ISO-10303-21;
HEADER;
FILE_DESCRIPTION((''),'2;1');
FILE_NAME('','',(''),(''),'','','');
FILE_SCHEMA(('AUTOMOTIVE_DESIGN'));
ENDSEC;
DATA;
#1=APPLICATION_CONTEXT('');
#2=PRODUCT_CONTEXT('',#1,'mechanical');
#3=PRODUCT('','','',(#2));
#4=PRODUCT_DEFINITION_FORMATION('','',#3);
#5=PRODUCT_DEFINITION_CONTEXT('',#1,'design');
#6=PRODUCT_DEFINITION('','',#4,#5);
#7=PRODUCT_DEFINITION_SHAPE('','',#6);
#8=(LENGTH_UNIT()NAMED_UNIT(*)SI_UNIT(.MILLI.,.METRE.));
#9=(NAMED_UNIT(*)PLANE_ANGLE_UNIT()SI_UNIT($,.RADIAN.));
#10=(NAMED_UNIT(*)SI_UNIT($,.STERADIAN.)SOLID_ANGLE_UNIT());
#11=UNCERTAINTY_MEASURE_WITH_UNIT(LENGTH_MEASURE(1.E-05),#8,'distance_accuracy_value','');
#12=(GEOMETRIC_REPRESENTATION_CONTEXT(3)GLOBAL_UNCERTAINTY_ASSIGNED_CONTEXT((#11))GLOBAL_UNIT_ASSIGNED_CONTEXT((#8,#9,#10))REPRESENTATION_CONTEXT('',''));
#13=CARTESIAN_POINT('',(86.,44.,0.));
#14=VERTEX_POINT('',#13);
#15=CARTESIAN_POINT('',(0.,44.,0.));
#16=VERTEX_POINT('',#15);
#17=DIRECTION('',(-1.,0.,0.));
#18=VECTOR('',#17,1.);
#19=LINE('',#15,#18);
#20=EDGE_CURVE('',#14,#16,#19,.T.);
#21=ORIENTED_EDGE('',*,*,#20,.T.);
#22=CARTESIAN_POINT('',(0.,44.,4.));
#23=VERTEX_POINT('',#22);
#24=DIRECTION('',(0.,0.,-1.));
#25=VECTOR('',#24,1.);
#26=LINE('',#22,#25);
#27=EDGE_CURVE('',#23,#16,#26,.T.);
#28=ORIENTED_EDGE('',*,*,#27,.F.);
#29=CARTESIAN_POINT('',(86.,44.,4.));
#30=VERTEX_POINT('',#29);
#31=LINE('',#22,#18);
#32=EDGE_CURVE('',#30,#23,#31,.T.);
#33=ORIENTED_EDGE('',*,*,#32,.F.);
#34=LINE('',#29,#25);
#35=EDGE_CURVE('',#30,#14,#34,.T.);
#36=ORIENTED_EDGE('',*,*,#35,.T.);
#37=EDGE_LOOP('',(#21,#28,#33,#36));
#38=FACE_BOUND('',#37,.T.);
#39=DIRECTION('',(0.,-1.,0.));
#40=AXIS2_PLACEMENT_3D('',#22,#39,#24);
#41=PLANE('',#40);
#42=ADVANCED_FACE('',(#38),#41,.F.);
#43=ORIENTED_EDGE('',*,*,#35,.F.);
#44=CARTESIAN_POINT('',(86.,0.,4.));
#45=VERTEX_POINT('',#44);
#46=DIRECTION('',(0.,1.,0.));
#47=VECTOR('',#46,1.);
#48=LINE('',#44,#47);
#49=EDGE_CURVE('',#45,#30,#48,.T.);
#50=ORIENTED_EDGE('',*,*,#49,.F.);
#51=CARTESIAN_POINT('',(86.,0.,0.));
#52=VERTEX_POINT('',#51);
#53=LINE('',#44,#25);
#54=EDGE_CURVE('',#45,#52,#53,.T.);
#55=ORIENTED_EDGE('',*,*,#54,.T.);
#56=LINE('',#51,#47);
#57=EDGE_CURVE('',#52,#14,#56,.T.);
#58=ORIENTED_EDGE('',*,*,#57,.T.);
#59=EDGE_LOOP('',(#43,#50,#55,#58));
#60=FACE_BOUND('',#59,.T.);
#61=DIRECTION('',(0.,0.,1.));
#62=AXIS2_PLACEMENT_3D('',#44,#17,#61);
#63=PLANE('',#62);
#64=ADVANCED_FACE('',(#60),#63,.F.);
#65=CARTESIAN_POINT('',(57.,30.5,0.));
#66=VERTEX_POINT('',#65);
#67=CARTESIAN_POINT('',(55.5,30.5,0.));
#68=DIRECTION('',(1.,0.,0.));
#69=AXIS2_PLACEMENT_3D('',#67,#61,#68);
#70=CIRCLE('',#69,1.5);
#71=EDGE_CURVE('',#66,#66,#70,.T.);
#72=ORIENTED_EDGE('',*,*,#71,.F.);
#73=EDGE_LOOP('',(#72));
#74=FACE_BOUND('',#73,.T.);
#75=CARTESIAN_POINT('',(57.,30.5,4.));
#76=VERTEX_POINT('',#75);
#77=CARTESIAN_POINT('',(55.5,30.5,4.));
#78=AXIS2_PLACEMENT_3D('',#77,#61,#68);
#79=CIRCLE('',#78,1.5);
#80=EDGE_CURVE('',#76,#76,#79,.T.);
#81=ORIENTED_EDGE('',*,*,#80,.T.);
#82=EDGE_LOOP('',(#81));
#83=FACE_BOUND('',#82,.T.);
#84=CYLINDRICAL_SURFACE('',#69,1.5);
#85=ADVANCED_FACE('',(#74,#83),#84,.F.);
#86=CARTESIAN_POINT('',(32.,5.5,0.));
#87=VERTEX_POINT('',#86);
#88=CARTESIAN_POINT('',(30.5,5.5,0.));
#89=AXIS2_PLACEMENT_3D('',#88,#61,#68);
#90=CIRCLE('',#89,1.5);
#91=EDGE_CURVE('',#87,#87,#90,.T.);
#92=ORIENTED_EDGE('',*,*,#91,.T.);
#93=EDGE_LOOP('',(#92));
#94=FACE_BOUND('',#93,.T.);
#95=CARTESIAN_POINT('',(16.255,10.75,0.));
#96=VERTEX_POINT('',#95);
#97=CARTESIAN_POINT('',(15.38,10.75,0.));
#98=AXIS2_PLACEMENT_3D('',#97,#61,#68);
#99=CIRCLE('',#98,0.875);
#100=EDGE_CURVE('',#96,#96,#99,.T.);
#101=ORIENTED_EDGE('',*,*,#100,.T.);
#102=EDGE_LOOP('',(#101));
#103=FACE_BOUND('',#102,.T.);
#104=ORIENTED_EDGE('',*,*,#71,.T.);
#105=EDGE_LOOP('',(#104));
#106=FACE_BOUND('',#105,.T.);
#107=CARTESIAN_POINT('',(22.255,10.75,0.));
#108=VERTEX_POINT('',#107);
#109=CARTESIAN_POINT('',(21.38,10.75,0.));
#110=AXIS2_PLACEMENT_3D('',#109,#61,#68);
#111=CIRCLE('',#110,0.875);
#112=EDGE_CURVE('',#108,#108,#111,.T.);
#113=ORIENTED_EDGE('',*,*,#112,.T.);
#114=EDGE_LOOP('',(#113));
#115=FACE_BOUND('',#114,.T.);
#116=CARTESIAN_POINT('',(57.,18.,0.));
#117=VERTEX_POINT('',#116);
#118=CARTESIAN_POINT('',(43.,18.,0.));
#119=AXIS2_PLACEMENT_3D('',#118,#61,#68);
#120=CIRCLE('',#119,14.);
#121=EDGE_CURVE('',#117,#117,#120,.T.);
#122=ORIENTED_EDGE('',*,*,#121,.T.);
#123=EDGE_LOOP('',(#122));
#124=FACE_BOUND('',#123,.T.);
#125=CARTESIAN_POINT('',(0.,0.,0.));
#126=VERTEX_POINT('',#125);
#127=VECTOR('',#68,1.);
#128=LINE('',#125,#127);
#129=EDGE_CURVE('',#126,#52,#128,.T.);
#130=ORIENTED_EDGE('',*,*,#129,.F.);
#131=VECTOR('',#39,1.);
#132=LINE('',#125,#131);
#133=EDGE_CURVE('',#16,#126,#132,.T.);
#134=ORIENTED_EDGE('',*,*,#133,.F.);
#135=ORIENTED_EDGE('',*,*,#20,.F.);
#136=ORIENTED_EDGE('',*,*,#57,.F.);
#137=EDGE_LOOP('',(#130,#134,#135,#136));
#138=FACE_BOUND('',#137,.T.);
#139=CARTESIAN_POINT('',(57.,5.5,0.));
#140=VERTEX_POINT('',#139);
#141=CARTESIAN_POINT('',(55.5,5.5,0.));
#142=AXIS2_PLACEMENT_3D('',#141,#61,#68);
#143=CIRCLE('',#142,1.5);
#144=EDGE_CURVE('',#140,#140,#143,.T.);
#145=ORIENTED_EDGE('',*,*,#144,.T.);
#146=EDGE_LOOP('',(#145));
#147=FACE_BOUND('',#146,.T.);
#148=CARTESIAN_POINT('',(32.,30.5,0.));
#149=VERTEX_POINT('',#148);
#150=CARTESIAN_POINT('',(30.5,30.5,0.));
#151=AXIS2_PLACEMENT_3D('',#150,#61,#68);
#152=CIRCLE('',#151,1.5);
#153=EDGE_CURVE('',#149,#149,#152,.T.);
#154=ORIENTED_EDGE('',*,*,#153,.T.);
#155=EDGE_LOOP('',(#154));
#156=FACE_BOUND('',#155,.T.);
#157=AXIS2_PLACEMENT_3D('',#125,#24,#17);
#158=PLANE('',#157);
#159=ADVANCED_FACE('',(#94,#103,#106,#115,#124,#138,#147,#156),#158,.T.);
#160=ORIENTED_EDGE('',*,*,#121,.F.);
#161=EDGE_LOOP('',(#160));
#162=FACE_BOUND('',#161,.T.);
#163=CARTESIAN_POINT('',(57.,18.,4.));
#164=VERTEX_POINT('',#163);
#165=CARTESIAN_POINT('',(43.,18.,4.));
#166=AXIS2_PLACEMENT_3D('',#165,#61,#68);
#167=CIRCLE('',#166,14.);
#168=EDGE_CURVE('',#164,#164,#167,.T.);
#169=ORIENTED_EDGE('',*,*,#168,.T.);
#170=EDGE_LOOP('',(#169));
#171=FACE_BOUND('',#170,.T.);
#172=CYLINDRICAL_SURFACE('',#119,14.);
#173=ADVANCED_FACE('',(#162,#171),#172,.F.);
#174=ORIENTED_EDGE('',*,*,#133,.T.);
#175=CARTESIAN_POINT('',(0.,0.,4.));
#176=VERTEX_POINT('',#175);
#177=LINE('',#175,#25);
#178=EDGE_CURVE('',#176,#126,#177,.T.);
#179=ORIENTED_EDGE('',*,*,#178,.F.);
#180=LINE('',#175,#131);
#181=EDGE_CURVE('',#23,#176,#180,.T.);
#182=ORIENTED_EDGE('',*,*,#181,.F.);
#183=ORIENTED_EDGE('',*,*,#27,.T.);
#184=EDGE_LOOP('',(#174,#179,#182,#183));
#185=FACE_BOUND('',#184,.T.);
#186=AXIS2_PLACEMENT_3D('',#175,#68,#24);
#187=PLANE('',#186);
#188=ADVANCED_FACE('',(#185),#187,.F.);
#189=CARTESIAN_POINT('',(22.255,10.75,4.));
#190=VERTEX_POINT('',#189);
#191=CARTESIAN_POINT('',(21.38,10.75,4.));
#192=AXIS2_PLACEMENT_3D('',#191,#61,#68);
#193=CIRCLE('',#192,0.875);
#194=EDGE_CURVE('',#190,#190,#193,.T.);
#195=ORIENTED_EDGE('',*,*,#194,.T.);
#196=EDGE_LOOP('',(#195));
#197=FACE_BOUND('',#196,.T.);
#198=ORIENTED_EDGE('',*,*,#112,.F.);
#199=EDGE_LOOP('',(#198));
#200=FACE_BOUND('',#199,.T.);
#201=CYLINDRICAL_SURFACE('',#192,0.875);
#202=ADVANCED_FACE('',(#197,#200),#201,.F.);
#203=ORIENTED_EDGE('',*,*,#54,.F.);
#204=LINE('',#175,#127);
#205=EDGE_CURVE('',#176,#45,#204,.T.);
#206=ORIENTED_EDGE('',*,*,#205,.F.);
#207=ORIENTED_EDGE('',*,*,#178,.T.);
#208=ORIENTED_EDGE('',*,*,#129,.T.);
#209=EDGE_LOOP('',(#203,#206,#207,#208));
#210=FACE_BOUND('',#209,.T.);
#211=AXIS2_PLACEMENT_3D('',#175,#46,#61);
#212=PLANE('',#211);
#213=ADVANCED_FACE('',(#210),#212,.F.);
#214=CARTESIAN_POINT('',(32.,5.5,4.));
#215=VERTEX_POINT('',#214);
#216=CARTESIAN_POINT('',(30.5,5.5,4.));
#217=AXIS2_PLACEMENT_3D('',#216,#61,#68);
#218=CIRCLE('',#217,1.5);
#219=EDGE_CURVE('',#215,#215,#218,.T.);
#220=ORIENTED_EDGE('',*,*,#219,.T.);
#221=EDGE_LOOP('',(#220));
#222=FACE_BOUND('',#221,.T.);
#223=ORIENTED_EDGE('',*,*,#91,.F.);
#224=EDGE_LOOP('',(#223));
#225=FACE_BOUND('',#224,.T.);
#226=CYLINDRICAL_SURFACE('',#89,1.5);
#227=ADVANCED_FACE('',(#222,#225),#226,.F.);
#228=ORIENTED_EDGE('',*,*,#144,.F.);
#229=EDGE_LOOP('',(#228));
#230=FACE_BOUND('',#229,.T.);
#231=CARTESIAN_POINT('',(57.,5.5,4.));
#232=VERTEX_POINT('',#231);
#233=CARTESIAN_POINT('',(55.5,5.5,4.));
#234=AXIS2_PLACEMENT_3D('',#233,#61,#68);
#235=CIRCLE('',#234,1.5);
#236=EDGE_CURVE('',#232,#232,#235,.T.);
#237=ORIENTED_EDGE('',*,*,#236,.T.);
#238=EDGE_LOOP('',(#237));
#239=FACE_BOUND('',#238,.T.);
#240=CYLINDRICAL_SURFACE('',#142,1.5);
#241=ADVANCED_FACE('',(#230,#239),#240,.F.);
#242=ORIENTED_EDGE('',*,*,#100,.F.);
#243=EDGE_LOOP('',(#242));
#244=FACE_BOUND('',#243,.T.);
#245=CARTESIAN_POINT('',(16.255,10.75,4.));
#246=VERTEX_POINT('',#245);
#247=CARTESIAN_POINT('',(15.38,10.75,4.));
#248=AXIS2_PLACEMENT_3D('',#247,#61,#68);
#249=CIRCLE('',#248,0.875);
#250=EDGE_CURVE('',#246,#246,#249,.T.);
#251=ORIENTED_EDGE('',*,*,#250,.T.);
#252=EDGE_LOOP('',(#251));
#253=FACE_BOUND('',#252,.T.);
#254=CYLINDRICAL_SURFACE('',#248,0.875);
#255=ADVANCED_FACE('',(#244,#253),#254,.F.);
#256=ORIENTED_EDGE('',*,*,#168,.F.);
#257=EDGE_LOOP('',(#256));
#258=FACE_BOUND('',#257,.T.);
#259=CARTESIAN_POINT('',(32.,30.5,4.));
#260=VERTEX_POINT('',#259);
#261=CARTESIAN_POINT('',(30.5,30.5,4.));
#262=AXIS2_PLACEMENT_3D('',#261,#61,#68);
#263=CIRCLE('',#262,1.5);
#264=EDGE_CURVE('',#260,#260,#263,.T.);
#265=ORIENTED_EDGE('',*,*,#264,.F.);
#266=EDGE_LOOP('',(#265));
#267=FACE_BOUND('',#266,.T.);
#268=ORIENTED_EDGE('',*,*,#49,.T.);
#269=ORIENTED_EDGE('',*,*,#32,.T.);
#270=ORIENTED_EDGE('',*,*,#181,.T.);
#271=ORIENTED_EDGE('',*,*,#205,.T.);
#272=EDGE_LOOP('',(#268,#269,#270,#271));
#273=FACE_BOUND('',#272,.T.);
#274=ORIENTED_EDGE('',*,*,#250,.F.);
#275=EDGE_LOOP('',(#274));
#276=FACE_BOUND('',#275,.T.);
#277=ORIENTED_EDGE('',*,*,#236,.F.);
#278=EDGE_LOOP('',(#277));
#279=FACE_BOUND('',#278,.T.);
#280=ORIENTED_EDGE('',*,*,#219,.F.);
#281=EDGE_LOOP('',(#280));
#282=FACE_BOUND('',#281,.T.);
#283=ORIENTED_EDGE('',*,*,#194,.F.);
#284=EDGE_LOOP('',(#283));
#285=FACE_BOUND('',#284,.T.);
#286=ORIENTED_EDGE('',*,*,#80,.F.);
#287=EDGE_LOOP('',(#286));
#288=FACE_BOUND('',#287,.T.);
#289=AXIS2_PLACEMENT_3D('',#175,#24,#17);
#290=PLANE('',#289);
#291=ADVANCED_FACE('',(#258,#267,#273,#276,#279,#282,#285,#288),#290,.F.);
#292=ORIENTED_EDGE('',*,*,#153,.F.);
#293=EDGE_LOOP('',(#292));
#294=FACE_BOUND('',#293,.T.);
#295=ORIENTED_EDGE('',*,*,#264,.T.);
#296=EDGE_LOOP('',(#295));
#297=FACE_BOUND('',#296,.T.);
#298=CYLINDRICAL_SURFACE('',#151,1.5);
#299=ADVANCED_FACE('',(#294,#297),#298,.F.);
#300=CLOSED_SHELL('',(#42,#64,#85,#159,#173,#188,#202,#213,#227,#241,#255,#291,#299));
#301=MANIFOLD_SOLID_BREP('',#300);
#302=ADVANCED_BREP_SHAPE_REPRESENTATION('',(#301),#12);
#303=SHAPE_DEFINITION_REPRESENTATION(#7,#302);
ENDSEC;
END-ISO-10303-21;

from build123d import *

# Parameters (mm, degrees)
SKETCH1_W             = 86
SKETCH1_H             = 44
BOSS_EXTRUDE1_DEPTH   = 4
SKETCH2_R             = 14
CUT_EXTRUDE1_DEPTH    = 4
SKETCH3_R             = 1.5
CUT_EXTRUDE3_DEPTH    = 4
F_1_0MM_DOWEL_HOLE1_D = 1.75


with BuildPart() as part:
    # Sketch1 → Boss-Extrude1 (new body)
    with BuildSketch(Plane.XY):
        with Locations((43, 22)):
            Rectangle(SKETCH1_W, SKETCH1_H)
    extrude(amount=BOSS_EXTRUDE1_DEPTH)

    # Sketch2 → Cut-Extrude1 (cut)
    with BuildSketch(Plane.XY.offset(4)):
        with Locations((43, 18)):
            Circle(SKETCH2_R)
    extrude(amount=-CUT_EXTRUDE1_DEPTH, mode=Mode.SUBTRACT)

    # Sketch3 → Cut-Extrude3 (cut)
    with BuildSketch(Plane.XY.offset(4)):
        with Locations((30.5, 30.5)):
            Circle(SKETCH3_R)
        with Locations((55.5, 30.5)):
            Circle(SKETCH3_R)
        with Locations((55.5, 5.5)):
            Circle(SKETCH3_R)
        with Locations((30.5, 5.5)):
            Circle(SKETCH3_R)
    extrude(amount=-CUT_EXTRUDE3_DEPTH, mode=Mode.SUBTRACT)

    # Ø1.0mm Dowel Hole1 (through all)
    with Locations(Plane.XY.offset(4)):
        with Locations((15.38, 10.75), (21.38, 10.75)):
            Hole(F_1_0MM_DOWEL_HOLE1_D / 2)


solid = part.part
